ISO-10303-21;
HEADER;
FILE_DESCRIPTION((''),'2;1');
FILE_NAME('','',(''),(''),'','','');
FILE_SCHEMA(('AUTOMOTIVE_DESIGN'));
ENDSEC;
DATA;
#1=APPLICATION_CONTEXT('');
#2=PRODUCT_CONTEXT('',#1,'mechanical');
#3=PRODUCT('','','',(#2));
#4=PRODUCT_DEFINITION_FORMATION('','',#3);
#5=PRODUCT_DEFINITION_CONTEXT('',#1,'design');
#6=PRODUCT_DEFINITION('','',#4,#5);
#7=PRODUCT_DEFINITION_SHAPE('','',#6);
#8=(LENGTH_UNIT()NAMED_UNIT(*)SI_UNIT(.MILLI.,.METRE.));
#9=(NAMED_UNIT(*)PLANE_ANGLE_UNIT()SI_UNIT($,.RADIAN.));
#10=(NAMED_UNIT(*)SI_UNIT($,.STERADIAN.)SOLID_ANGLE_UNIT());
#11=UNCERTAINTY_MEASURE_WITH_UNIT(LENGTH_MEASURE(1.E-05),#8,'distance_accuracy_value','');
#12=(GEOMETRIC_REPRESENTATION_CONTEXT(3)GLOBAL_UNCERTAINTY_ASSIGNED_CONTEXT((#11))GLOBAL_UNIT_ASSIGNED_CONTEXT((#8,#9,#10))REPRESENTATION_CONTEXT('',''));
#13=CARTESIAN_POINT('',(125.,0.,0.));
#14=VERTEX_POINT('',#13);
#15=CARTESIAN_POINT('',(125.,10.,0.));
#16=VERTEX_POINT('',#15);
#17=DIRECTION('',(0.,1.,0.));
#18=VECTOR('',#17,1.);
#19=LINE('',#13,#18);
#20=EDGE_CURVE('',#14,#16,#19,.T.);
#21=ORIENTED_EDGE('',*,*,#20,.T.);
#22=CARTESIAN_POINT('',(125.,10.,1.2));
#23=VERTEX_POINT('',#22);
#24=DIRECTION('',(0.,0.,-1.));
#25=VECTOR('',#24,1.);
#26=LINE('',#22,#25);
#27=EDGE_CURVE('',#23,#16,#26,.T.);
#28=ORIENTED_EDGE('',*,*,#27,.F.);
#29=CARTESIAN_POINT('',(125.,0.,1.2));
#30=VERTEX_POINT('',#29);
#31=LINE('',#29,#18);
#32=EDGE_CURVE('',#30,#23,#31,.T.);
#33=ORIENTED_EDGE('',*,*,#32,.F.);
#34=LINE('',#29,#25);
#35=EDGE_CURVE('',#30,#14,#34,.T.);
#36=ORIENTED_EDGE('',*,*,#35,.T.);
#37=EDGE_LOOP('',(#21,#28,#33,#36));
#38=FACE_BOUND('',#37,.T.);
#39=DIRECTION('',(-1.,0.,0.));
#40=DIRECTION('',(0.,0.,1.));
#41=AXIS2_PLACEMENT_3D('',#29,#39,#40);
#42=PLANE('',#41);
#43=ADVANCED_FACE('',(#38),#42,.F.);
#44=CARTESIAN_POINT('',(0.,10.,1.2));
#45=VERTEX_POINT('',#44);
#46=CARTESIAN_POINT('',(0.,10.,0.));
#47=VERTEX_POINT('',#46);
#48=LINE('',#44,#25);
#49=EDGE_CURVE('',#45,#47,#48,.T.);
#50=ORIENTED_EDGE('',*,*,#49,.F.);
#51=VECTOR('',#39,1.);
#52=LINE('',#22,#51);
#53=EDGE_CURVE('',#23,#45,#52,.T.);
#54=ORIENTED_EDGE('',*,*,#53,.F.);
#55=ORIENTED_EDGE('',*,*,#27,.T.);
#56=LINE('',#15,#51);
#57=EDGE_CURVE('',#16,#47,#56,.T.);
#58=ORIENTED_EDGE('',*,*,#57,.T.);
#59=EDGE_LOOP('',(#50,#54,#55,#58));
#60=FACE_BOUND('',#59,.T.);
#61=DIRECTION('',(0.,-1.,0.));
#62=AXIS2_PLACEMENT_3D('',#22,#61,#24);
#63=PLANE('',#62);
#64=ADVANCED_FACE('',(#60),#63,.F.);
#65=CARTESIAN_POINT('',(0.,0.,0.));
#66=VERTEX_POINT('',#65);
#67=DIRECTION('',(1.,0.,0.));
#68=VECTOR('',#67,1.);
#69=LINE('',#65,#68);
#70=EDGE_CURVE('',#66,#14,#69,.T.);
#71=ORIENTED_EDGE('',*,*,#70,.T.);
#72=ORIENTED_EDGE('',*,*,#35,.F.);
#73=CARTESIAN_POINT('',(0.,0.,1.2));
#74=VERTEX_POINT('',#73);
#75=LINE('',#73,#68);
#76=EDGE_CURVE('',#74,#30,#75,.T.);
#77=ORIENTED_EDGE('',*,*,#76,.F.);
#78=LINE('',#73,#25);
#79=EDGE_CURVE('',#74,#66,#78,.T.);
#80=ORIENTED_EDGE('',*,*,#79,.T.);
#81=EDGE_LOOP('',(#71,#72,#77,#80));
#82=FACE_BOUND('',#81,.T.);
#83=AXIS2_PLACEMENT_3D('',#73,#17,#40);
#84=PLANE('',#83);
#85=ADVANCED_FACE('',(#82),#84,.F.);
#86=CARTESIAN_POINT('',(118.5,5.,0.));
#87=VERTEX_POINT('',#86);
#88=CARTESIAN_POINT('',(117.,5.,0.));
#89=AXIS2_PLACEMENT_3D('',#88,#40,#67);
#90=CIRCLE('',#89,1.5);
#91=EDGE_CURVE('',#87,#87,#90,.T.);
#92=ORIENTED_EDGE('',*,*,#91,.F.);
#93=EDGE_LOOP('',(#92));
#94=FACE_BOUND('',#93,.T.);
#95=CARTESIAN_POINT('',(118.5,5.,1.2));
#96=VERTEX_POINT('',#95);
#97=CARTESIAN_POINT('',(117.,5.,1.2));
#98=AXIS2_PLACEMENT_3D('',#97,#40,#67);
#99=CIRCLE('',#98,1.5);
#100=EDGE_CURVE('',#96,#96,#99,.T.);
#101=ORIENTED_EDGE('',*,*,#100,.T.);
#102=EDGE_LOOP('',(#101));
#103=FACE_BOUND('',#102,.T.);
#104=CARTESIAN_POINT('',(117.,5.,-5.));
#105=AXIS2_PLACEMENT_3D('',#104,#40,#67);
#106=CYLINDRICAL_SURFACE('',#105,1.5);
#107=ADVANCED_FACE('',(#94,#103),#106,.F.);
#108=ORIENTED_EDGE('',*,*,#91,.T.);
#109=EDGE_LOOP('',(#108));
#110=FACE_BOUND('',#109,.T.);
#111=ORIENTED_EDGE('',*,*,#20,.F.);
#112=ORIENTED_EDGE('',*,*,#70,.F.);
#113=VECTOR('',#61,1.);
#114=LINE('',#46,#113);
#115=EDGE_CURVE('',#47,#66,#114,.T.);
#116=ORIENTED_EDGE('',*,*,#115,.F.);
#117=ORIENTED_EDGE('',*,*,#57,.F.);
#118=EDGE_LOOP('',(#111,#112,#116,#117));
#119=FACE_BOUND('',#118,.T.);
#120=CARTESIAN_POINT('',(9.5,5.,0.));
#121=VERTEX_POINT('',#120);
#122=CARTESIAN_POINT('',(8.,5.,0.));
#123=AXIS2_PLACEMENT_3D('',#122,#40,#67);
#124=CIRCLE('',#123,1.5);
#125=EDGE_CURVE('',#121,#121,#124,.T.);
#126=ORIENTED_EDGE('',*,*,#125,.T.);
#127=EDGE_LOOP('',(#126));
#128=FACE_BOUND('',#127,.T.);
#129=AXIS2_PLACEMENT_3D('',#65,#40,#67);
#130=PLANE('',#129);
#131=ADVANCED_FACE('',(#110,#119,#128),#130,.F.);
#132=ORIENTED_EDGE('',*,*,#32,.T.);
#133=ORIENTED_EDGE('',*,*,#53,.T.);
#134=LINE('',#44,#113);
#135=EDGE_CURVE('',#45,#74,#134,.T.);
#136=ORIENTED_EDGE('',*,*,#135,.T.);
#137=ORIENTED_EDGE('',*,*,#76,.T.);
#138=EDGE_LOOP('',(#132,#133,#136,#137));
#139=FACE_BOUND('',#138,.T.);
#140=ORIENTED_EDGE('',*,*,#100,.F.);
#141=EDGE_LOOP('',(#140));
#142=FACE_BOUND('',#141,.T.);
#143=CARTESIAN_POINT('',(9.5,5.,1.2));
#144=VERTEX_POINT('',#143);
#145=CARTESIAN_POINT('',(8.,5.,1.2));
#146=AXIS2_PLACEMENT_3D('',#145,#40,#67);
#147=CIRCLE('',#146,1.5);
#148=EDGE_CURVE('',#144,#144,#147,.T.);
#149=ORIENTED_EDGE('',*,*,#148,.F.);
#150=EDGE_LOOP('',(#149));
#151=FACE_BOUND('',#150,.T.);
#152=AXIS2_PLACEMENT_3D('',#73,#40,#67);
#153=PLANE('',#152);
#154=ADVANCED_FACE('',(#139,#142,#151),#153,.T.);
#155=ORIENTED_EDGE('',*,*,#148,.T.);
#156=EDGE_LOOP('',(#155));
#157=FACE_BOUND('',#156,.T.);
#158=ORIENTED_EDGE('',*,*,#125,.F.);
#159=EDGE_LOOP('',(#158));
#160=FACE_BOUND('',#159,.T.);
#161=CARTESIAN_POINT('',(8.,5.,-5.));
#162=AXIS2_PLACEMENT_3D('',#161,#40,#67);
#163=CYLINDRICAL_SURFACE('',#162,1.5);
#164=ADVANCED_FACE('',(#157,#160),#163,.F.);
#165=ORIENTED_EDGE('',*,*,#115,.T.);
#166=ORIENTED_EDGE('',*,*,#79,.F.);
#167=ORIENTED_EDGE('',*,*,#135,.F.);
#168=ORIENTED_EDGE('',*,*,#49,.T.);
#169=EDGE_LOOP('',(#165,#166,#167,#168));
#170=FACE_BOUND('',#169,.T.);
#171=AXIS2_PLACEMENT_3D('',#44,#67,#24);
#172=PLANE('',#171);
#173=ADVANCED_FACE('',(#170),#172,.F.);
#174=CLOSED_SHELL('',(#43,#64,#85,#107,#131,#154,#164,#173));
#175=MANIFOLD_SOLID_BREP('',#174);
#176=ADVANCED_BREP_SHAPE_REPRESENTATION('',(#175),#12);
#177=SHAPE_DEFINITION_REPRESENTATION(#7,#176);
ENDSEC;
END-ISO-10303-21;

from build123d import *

# Parameters (mm, degrees)
SKETCH1_W           = 125
SKETCH1_H           = 10
BOSS_EXTRUDE1_DEPTH = 1.2
SKETCH2_R           = 1.5
CUT_EXTRUDE1_DEPTH  = 5


with BuildPart() as part:
    # Sketch1 → Boss-Extrude1 (new body)
    with BuildSketch(Plane.XY):
        with Locations((62.5, 5)):
            Rectangle(SKETCH1_W, SKETCH1_H)
    extrude(amount=BOSS_EXTRUDE1_DEPTH)

    # Sketch2 → Cut-Extrude1 (cut, symmetric)
    with BuildSketch(Plane.XY):
        with Locations((8, 5)):
            Circle(SKETCH2_R)
        with Locations((117, 5)):
            Circle(SKETCH2_R)
    extrude(amount=CUT_EXTRUDE1_DEPTH, both=True, mode=Mode.SUBTRACT)


solid = part.part
